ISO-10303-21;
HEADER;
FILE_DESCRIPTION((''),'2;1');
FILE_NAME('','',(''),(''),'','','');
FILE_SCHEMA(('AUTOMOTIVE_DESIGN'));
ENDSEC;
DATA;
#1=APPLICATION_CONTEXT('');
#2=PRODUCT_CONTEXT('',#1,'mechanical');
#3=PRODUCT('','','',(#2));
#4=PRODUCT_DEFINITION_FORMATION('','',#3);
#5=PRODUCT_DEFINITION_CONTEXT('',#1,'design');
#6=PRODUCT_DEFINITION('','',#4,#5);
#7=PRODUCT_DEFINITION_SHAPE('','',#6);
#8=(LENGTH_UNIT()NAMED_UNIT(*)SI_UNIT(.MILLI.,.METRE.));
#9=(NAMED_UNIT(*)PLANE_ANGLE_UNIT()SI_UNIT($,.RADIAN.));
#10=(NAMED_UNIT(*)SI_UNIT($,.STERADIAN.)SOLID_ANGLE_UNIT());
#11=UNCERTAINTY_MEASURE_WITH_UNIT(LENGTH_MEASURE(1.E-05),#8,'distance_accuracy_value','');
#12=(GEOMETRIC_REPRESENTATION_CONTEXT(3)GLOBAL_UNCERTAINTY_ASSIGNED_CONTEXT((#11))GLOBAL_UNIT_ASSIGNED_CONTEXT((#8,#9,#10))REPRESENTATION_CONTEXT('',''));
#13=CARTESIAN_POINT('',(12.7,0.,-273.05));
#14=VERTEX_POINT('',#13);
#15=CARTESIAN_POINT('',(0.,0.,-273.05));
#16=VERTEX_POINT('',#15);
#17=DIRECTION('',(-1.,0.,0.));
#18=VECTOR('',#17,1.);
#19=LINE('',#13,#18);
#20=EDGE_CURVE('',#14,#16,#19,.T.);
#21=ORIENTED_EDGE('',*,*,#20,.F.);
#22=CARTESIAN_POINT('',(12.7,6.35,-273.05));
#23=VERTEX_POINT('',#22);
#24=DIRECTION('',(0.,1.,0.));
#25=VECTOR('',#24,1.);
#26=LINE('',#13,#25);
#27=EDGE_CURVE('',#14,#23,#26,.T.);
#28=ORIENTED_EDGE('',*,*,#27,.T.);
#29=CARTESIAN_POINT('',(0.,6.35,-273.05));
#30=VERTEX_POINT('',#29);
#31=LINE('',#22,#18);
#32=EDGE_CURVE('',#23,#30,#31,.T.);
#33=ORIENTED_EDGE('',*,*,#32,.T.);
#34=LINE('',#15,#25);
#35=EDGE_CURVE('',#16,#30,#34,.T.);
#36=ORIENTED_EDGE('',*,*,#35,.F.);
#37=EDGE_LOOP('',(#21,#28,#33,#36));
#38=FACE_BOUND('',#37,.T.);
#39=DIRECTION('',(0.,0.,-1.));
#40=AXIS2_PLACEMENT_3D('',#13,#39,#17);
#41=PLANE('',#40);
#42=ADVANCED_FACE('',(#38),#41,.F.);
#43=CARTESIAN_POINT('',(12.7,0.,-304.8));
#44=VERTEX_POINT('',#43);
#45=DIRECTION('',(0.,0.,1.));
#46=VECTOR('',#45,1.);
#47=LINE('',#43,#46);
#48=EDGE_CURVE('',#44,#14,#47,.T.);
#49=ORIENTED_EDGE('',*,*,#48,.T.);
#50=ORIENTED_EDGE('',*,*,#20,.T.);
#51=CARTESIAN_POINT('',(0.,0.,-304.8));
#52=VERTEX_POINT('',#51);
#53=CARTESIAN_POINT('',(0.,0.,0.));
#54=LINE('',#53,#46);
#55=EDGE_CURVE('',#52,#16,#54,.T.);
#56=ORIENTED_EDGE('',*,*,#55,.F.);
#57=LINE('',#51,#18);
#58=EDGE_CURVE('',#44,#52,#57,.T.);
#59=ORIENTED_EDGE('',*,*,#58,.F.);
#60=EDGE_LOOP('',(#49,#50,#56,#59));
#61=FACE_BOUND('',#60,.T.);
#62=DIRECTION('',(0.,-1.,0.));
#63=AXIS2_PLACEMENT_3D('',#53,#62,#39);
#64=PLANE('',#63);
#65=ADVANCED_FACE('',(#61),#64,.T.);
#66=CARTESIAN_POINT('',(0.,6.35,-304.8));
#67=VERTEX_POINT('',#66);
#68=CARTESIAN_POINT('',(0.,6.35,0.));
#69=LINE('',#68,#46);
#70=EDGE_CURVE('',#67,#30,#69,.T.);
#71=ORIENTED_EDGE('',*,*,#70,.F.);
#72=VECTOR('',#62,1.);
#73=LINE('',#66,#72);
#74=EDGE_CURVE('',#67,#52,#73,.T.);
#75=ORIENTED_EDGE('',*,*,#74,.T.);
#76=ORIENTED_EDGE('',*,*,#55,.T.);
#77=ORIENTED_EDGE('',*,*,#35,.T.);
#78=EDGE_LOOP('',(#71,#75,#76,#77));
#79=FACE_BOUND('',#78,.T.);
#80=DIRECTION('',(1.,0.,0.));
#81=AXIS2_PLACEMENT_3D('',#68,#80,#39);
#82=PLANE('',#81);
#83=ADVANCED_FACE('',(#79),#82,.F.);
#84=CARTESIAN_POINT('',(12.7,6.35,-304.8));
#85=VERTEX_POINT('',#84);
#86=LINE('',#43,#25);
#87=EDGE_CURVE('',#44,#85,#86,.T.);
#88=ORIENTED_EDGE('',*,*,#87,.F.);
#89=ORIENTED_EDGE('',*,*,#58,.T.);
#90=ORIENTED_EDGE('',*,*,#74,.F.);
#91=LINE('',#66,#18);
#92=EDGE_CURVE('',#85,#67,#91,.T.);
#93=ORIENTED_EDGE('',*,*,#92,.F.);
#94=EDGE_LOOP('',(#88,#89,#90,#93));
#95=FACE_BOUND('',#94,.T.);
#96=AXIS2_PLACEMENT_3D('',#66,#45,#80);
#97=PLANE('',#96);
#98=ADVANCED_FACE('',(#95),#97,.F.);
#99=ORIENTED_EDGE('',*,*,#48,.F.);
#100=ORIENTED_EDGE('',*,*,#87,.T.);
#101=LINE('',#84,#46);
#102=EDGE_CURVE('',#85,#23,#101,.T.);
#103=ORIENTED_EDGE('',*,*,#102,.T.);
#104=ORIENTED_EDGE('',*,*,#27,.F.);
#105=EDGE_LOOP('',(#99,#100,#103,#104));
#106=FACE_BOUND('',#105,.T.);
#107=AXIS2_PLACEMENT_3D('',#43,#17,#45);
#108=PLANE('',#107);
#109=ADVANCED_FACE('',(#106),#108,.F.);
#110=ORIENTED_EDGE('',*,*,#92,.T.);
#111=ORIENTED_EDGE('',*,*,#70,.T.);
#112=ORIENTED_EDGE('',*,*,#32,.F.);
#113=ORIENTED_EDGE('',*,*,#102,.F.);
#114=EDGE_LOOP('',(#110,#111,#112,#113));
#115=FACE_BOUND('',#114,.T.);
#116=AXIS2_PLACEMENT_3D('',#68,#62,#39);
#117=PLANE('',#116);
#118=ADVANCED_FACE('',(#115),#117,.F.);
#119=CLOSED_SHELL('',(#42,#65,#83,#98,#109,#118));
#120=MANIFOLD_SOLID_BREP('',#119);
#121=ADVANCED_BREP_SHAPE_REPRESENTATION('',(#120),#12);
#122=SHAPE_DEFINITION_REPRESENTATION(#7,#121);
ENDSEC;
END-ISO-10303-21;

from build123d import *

# Parameters (mm, degrees)
SKETCH1_W           = 304.8
SKETCH1_H           = 304.8
BOSS_EXTRUDE1_DEPTH = 6.35
CUT_EXTRUDE2_DEPTH  = 6.35


with BuildPart() as part:
    # Sketch1 → Boss-Extrude1 (new body)
    with BuildSketch(Plane(origin=(0, 0, 0), x_dir=(1, 0, 0), z_dir=(0, 1, 0))):
        with Locations((152.4, 152.4)):
            Rectangle(SKETCH1_W, SKETCH1_H)
    extrude(amount=BOSS_EXTRUDE1_DEPTH)

    # Sketch2 → Cut-Extrude2 (cut)
    with BuildSketch(Plane(origin=(0, 6.35, 0), x_dir=(1, 0, 0), z_dir=(0, 1, 0))):
        Polygon((12.7, 304.8), (12.7, 273.05), (0, 273.05), (0, 0), (304.8, 0), (304.8, 304.8), align=None)
    extrude(amount=-CUT_EXTRUDE2_DEPTH, mode=Mode.SUBTRACT)


solid = part.part
